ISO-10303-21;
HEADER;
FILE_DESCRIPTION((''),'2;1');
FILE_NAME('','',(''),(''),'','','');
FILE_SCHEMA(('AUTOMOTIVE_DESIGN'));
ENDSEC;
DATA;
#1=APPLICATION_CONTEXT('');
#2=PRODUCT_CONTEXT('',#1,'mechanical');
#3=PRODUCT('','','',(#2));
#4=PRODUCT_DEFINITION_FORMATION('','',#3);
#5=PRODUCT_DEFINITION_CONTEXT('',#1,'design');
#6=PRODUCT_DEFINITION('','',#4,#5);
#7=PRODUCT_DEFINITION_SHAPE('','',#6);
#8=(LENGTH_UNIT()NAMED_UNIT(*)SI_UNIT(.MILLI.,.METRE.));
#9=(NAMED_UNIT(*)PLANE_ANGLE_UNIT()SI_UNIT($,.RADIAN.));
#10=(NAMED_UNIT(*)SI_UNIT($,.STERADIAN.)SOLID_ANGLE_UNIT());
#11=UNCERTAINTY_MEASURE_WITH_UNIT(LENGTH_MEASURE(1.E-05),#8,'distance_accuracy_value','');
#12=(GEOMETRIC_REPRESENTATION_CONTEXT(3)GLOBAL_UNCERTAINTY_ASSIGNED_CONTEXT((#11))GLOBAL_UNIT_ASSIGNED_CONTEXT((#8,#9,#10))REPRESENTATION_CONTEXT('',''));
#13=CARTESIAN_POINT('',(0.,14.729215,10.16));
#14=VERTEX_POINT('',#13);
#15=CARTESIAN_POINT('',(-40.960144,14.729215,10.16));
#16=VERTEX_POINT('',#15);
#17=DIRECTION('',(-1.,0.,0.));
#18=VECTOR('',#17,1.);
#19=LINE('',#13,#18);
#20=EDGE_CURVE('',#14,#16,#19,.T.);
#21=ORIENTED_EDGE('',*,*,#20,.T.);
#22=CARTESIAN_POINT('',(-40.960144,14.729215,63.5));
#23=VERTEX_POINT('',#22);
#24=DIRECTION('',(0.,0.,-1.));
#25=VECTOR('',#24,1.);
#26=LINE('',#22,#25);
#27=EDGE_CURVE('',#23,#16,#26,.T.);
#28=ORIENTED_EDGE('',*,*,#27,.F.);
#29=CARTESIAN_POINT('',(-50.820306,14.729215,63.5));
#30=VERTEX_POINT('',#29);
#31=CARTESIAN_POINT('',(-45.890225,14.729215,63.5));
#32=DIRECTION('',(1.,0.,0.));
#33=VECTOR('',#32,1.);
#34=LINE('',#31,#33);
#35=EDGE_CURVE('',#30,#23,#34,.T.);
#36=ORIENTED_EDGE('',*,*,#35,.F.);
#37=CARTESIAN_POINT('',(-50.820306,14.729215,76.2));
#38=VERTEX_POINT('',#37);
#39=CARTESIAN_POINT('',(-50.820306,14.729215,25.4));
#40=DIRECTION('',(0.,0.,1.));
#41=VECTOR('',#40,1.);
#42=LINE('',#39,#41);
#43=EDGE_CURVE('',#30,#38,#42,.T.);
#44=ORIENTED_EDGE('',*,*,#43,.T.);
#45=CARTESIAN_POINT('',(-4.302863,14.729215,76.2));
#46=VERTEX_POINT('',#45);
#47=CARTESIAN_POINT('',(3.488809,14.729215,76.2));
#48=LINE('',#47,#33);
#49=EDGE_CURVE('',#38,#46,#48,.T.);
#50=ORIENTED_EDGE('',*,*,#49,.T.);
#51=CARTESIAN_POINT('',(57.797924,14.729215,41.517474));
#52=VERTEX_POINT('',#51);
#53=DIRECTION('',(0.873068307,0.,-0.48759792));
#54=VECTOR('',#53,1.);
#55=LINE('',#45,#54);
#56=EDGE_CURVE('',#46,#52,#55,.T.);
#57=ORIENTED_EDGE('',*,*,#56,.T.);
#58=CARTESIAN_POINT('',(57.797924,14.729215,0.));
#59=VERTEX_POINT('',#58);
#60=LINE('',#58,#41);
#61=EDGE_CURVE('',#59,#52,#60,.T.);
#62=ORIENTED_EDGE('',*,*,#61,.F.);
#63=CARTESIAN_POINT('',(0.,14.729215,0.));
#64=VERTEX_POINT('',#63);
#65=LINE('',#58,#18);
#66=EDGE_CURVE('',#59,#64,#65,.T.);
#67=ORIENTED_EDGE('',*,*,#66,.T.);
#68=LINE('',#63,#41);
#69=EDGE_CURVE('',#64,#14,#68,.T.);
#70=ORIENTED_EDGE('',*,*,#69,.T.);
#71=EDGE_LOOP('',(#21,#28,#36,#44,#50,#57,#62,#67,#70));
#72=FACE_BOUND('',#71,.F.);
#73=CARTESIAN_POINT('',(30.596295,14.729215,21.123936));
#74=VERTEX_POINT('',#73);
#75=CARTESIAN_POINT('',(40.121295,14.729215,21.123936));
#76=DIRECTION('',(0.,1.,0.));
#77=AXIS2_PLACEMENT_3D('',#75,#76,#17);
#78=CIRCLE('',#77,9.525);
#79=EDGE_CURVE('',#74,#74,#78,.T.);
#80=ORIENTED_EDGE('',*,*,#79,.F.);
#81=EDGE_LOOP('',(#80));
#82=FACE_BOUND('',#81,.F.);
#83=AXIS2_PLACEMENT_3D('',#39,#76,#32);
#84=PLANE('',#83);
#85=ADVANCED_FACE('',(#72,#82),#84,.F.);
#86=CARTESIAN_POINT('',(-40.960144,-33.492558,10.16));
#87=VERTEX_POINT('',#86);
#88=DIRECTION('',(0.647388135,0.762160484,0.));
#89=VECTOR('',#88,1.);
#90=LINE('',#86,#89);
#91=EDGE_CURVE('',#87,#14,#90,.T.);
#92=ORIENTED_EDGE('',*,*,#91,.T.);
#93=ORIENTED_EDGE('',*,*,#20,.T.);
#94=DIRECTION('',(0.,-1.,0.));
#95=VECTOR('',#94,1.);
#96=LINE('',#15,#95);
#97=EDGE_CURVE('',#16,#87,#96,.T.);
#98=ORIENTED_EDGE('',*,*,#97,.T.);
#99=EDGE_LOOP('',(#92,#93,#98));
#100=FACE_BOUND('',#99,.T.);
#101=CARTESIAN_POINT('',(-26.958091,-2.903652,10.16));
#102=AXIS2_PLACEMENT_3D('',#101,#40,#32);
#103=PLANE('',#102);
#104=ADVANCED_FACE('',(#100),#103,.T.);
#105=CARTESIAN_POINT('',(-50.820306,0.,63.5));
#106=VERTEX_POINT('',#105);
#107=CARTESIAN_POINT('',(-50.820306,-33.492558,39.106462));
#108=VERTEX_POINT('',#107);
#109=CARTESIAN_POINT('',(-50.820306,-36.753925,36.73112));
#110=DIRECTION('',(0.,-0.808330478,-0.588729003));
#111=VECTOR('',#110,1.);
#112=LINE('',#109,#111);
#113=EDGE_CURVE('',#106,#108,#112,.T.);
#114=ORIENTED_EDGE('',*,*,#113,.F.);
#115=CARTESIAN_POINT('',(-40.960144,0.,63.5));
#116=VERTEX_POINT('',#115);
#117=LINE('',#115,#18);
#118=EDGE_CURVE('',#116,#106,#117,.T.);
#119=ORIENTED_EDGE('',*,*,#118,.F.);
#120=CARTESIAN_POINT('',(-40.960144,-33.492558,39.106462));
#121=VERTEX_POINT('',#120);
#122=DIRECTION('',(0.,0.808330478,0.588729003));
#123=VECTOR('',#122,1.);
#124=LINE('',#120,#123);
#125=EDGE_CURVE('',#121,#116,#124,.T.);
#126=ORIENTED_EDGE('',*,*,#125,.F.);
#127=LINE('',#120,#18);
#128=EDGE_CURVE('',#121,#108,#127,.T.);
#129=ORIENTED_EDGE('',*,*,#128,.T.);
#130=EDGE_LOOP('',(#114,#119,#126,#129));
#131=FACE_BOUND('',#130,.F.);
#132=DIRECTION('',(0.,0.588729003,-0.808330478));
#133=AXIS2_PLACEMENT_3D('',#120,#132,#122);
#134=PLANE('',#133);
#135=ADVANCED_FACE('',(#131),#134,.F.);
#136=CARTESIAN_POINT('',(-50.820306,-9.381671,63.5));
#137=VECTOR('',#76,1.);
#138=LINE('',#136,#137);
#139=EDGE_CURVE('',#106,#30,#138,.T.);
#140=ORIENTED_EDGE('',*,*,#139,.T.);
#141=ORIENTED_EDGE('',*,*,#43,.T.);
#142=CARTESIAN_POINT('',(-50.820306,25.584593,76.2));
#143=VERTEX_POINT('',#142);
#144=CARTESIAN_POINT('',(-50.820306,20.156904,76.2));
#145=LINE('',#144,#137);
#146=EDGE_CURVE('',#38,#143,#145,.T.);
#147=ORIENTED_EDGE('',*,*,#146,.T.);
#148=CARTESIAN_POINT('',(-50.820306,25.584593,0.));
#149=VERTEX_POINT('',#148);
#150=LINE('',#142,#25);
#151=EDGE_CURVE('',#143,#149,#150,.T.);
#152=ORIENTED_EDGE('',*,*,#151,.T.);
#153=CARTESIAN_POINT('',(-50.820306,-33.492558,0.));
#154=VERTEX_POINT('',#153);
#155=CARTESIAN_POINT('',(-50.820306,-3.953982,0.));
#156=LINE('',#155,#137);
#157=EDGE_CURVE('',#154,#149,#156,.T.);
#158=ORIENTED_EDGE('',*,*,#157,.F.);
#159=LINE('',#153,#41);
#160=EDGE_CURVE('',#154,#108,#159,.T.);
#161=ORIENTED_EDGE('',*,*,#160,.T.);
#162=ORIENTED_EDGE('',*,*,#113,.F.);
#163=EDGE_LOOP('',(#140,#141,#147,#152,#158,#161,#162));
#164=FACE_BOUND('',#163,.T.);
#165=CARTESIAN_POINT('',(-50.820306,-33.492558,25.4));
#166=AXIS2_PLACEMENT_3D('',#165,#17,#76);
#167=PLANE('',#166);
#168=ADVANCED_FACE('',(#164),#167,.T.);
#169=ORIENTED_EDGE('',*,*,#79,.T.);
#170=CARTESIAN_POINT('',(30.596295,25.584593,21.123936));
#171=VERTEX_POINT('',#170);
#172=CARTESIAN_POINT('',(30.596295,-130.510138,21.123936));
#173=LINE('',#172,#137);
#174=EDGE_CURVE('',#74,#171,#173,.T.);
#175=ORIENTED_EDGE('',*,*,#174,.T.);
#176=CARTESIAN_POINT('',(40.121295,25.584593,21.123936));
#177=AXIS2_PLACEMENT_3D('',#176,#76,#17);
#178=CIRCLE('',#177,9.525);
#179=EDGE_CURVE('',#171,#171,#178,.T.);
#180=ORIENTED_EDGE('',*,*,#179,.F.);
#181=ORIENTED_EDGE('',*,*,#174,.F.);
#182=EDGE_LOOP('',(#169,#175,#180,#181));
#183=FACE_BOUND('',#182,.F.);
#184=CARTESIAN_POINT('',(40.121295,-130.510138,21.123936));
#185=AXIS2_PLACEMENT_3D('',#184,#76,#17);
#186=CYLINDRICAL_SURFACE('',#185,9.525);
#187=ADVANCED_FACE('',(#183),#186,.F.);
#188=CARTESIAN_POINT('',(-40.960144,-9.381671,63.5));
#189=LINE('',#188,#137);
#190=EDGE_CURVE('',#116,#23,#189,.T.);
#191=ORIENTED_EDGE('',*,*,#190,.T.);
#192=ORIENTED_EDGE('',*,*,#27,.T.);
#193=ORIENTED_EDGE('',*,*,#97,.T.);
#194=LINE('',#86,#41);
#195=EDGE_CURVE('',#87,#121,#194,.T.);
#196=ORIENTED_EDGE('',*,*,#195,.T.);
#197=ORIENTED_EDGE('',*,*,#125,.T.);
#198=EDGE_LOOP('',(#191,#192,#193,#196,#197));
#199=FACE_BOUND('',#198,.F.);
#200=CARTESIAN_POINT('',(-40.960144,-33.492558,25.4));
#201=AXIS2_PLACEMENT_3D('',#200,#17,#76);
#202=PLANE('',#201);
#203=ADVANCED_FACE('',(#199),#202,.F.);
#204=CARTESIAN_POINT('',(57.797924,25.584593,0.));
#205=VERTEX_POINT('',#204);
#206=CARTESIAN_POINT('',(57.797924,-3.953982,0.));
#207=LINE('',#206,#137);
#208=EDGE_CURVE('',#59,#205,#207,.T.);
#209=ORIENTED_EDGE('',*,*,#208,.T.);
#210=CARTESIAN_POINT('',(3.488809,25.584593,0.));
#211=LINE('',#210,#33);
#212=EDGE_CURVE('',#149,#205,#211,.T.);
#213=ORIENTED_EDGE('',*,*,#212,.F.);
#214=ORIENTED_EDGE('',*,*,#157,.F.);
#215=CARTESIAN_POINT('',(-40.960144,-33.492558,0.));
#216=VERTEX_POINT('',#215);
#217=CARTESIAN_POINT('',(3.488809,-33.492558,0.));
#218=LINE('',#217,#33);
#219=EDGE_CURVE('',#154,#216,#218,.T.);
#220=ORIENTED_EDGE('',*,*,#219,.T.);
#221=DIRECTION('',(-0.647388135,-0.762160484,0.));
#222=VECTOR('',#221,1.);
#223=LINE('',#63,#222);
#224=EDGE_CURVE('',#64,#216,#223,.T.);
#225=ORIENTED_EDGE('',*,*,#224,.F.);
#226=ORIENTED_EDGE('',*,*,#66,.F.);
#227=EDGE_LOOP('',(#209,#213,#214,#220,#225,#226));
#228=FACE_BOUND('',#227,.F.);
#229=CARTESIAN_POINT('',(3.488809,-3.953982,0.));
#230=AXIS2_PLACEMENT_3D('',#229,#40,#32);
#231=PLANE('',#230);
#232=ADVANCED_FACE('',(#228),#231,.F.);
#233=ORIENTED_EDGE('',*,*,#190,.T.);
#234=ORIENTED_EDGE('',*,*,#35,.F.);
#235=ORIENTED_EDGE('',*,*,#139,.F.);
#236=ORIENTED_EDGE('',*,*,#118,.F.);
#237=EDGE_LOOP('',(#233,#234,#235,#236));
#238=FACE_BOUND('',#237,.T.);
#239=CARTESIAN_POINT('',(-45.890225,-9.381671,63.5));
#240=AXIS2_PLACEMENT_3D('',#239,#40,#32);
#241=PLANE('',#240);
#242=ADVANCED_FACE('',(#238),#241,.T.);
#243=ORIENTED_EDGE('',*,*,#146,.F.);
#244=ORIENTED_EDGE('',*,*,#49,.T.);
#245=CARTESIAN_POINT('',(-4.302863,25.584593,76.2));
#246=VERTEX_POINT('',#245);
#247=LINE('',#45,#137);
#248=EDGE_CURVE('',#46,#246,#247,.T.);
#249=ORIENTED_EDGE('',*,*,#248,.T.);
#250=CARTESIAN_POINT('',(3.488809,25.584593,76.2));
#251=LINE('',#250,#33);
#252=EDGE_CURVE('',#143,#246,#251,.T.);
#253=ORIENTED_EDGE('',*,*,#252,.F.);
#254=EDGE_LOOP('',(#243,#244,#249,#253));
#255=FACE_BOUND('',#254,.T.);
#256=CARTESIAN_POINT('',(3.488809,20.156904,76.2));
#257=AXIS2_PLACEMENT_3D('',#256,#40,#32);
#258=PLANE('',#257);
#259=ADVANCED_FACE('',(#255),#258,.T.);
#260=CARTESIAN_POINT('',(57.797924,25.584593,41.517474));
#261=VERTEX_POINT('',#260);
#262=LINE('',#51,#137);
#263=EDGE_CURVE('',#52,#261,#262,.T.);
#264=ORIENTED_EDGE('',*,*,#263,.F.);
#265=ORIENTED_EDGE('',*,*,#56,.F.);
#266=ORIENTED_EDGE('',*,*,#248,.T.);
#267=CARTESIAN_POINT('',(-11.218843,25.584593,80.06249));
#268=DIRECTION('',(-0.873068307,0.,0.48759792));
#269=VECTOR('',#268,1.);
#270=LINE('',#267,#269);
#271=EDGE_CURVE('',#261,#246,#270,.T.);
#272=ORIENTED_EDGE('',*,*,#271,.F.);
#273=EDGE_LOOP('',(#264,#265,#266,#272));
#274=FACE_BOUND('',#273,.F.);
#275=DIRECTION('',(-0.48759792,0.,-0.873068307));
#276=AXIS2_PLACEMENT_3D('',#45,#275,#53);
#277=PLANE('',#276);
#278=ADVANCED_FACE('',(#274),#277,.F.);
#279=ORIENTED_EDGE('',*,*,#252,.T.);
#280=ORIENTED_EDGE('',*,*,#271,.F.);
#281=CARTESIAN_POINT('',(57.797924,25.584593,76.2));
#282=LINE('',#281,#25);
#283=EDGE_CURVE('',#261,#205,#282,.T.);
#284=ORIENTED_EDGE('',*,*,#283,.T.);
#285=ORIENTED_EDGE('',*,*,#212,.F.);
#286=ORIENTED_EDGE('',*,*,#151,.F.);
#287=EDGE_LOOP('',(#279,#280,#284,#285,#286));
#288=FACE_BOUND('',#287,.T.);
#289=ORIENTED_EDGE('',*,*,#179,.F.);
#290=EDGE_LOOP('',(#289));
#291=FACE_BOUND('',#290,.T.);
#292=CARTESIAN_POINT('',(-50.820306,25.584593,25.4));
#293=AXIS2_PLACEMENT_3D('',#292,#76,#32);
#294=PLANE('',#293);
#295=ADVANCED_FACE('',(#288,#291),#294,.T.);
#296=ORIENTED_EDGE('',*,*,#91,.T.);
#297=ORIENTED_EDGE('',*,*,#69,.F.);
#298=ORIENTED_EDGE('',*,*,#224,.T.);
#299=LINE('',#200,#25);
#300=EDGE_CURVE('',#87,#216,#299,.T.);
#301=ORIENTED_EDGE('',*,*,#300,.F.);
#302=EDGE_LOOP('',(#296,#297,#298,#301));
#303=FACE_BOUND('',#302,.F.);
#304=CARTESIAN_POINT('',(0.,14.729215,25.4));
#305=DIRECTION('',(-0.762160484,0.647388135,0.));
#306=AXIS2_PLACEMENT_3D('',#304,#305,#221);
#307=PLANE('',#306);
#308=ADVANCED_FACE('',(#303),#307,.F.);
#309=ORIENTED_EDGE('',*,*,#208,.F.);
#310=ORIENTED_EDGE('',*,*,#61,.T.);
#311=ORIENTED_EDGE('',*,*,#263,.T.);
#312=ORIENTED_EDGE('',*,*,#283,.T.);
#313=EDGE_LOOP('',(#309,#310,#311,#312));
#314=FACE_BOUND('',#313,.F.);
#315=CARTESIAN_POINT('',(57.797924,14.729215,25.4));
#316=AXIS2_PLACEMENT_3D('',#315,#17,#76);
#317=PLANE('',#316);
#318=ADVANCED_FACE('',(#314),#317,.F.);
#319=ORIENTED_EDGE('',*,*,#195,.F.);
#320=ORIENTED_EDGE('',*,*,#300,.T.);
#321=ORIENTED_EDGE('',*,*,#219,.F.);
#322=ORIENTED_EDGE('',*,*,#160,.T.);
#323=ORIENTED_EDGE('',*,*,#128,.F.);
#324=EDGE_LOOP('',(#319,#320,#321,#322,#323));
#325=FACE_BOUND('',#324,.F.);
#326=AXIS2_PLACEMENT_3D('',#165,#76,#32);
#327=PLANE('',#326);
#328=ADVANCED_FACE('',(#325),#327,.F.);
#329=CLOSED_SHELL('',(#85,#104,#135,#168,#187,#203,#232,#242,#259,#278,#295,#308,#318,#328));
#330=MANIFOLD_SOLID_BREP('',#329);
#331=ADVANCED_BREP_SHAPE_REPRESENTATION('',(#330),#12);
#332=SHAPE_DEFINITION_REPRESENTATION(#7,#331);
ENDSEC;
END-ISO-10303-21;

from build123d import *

# Parameters (mm, degrees)
F0_W      = 108.6182296276
F0_H      = 59.0771511197
F1_DEPTH  = 25.4
F2_W      = 108.6182296276
F2_H      = 10.8553785831
F3_DEPTH  = 50.8
F4_W      = 9.8601616919
F4_H      = 48.2217725366
F5_DEPTH  = 38.1
F7_DEPTH  = 25.4
F9_DEPTH  = 25.4
F11_DEPTH = 25.4
F13_D     = 19.05
F14_DEPTH = 15.24
F16_DEPTH = 15.24


with BuildPart() as f1:
    # F0 (on Top) → F1 (new body)
    with BuildSketch(Plane.XY):
        with Locations((3.4888088703, -3.9539821446)):
            Rectangle(F0_W, F0_H)
    extrude(amount=F1_DEPTH)

    # F2 (on face) → F3 (join)
    with BuildSketch(Plane.XY.offset(25.4)):
        with Locations((3.4888088703, 20.1569041237)):
            Rectangle(F2_W, F2_H)
    extrude(amount=F3_DEPTH)

    # F4 (on face) → F5 (join)
    with BuildSketch(Plane.XY.offset(25.4)):
        with Locations((-45.8902250975, -9.3816714361)):
            Rectangle(F4_W, F4_H)
    extrude(amount=F5_DEPTH)

    # F6 (on face) → F7 (cut)
    with BuildSketch(Plane.YZ.offset(-40.9601442516)):
        Polygon((-33.4925577044, 39.1064621508), (0, 63.5), (-33.4925577044, 63.5), align=None)
    extrude(amount=-F7_DEPTH, mode=Mode.SUBTRACT)

    # F8 (on face) → F9 (cut)
    with BuildSketch(Plane.XY.offset(25.4)):
        Polygon((57.7979236841, 14.7292148322), (0, 14.7292148322), (-40.9601442516, -33.4925577044), (57.7979236841, -33.4925577044), align=None)
    extrude(amount=-F9_DEPTH, mode=Mode.SUBTRACT)

    # F10 (on face) → F11 (cut)
    with BuildSketch(Plane.XZ.offset(-14.7292148322)):
        Polygon((57.7979236841, 76.2), (-4.3028630316, 76.2), (57.7979236841, 41.5174737573), align=None)
    extrude(amount=-F11_DEPTH, mode=Mode.SUBTRACT)

    # F13 (through all)
    with Locations(Plane.XZ.offset(-14.7292148322)):
        with Locations((40.121294558, 21.1239363998)):
            Hole(F13_D / 2)

    # F14 (add): a face of the model
    f14_faces = [f1.faces().sort_by_distance(p)[0] for p in [
        (-27.3067628344, -1.3447093467, 25.4),
    ]]
    extrude(f14_faces, amount=-F14_DEPTH)

    # F15 (on face) → F16 (cut)
    with BuildSketch(Plane.XY.offset(25.4)):
        Polygon((0, 14.7292148322), (-40.9601442516, 14.7292148322), (-40.9601442516, -33.4925577044), align=None)
    extrude(amount=-F16_DEPTH, mode=Mode.SUBTRACT)


solid = f1.part
